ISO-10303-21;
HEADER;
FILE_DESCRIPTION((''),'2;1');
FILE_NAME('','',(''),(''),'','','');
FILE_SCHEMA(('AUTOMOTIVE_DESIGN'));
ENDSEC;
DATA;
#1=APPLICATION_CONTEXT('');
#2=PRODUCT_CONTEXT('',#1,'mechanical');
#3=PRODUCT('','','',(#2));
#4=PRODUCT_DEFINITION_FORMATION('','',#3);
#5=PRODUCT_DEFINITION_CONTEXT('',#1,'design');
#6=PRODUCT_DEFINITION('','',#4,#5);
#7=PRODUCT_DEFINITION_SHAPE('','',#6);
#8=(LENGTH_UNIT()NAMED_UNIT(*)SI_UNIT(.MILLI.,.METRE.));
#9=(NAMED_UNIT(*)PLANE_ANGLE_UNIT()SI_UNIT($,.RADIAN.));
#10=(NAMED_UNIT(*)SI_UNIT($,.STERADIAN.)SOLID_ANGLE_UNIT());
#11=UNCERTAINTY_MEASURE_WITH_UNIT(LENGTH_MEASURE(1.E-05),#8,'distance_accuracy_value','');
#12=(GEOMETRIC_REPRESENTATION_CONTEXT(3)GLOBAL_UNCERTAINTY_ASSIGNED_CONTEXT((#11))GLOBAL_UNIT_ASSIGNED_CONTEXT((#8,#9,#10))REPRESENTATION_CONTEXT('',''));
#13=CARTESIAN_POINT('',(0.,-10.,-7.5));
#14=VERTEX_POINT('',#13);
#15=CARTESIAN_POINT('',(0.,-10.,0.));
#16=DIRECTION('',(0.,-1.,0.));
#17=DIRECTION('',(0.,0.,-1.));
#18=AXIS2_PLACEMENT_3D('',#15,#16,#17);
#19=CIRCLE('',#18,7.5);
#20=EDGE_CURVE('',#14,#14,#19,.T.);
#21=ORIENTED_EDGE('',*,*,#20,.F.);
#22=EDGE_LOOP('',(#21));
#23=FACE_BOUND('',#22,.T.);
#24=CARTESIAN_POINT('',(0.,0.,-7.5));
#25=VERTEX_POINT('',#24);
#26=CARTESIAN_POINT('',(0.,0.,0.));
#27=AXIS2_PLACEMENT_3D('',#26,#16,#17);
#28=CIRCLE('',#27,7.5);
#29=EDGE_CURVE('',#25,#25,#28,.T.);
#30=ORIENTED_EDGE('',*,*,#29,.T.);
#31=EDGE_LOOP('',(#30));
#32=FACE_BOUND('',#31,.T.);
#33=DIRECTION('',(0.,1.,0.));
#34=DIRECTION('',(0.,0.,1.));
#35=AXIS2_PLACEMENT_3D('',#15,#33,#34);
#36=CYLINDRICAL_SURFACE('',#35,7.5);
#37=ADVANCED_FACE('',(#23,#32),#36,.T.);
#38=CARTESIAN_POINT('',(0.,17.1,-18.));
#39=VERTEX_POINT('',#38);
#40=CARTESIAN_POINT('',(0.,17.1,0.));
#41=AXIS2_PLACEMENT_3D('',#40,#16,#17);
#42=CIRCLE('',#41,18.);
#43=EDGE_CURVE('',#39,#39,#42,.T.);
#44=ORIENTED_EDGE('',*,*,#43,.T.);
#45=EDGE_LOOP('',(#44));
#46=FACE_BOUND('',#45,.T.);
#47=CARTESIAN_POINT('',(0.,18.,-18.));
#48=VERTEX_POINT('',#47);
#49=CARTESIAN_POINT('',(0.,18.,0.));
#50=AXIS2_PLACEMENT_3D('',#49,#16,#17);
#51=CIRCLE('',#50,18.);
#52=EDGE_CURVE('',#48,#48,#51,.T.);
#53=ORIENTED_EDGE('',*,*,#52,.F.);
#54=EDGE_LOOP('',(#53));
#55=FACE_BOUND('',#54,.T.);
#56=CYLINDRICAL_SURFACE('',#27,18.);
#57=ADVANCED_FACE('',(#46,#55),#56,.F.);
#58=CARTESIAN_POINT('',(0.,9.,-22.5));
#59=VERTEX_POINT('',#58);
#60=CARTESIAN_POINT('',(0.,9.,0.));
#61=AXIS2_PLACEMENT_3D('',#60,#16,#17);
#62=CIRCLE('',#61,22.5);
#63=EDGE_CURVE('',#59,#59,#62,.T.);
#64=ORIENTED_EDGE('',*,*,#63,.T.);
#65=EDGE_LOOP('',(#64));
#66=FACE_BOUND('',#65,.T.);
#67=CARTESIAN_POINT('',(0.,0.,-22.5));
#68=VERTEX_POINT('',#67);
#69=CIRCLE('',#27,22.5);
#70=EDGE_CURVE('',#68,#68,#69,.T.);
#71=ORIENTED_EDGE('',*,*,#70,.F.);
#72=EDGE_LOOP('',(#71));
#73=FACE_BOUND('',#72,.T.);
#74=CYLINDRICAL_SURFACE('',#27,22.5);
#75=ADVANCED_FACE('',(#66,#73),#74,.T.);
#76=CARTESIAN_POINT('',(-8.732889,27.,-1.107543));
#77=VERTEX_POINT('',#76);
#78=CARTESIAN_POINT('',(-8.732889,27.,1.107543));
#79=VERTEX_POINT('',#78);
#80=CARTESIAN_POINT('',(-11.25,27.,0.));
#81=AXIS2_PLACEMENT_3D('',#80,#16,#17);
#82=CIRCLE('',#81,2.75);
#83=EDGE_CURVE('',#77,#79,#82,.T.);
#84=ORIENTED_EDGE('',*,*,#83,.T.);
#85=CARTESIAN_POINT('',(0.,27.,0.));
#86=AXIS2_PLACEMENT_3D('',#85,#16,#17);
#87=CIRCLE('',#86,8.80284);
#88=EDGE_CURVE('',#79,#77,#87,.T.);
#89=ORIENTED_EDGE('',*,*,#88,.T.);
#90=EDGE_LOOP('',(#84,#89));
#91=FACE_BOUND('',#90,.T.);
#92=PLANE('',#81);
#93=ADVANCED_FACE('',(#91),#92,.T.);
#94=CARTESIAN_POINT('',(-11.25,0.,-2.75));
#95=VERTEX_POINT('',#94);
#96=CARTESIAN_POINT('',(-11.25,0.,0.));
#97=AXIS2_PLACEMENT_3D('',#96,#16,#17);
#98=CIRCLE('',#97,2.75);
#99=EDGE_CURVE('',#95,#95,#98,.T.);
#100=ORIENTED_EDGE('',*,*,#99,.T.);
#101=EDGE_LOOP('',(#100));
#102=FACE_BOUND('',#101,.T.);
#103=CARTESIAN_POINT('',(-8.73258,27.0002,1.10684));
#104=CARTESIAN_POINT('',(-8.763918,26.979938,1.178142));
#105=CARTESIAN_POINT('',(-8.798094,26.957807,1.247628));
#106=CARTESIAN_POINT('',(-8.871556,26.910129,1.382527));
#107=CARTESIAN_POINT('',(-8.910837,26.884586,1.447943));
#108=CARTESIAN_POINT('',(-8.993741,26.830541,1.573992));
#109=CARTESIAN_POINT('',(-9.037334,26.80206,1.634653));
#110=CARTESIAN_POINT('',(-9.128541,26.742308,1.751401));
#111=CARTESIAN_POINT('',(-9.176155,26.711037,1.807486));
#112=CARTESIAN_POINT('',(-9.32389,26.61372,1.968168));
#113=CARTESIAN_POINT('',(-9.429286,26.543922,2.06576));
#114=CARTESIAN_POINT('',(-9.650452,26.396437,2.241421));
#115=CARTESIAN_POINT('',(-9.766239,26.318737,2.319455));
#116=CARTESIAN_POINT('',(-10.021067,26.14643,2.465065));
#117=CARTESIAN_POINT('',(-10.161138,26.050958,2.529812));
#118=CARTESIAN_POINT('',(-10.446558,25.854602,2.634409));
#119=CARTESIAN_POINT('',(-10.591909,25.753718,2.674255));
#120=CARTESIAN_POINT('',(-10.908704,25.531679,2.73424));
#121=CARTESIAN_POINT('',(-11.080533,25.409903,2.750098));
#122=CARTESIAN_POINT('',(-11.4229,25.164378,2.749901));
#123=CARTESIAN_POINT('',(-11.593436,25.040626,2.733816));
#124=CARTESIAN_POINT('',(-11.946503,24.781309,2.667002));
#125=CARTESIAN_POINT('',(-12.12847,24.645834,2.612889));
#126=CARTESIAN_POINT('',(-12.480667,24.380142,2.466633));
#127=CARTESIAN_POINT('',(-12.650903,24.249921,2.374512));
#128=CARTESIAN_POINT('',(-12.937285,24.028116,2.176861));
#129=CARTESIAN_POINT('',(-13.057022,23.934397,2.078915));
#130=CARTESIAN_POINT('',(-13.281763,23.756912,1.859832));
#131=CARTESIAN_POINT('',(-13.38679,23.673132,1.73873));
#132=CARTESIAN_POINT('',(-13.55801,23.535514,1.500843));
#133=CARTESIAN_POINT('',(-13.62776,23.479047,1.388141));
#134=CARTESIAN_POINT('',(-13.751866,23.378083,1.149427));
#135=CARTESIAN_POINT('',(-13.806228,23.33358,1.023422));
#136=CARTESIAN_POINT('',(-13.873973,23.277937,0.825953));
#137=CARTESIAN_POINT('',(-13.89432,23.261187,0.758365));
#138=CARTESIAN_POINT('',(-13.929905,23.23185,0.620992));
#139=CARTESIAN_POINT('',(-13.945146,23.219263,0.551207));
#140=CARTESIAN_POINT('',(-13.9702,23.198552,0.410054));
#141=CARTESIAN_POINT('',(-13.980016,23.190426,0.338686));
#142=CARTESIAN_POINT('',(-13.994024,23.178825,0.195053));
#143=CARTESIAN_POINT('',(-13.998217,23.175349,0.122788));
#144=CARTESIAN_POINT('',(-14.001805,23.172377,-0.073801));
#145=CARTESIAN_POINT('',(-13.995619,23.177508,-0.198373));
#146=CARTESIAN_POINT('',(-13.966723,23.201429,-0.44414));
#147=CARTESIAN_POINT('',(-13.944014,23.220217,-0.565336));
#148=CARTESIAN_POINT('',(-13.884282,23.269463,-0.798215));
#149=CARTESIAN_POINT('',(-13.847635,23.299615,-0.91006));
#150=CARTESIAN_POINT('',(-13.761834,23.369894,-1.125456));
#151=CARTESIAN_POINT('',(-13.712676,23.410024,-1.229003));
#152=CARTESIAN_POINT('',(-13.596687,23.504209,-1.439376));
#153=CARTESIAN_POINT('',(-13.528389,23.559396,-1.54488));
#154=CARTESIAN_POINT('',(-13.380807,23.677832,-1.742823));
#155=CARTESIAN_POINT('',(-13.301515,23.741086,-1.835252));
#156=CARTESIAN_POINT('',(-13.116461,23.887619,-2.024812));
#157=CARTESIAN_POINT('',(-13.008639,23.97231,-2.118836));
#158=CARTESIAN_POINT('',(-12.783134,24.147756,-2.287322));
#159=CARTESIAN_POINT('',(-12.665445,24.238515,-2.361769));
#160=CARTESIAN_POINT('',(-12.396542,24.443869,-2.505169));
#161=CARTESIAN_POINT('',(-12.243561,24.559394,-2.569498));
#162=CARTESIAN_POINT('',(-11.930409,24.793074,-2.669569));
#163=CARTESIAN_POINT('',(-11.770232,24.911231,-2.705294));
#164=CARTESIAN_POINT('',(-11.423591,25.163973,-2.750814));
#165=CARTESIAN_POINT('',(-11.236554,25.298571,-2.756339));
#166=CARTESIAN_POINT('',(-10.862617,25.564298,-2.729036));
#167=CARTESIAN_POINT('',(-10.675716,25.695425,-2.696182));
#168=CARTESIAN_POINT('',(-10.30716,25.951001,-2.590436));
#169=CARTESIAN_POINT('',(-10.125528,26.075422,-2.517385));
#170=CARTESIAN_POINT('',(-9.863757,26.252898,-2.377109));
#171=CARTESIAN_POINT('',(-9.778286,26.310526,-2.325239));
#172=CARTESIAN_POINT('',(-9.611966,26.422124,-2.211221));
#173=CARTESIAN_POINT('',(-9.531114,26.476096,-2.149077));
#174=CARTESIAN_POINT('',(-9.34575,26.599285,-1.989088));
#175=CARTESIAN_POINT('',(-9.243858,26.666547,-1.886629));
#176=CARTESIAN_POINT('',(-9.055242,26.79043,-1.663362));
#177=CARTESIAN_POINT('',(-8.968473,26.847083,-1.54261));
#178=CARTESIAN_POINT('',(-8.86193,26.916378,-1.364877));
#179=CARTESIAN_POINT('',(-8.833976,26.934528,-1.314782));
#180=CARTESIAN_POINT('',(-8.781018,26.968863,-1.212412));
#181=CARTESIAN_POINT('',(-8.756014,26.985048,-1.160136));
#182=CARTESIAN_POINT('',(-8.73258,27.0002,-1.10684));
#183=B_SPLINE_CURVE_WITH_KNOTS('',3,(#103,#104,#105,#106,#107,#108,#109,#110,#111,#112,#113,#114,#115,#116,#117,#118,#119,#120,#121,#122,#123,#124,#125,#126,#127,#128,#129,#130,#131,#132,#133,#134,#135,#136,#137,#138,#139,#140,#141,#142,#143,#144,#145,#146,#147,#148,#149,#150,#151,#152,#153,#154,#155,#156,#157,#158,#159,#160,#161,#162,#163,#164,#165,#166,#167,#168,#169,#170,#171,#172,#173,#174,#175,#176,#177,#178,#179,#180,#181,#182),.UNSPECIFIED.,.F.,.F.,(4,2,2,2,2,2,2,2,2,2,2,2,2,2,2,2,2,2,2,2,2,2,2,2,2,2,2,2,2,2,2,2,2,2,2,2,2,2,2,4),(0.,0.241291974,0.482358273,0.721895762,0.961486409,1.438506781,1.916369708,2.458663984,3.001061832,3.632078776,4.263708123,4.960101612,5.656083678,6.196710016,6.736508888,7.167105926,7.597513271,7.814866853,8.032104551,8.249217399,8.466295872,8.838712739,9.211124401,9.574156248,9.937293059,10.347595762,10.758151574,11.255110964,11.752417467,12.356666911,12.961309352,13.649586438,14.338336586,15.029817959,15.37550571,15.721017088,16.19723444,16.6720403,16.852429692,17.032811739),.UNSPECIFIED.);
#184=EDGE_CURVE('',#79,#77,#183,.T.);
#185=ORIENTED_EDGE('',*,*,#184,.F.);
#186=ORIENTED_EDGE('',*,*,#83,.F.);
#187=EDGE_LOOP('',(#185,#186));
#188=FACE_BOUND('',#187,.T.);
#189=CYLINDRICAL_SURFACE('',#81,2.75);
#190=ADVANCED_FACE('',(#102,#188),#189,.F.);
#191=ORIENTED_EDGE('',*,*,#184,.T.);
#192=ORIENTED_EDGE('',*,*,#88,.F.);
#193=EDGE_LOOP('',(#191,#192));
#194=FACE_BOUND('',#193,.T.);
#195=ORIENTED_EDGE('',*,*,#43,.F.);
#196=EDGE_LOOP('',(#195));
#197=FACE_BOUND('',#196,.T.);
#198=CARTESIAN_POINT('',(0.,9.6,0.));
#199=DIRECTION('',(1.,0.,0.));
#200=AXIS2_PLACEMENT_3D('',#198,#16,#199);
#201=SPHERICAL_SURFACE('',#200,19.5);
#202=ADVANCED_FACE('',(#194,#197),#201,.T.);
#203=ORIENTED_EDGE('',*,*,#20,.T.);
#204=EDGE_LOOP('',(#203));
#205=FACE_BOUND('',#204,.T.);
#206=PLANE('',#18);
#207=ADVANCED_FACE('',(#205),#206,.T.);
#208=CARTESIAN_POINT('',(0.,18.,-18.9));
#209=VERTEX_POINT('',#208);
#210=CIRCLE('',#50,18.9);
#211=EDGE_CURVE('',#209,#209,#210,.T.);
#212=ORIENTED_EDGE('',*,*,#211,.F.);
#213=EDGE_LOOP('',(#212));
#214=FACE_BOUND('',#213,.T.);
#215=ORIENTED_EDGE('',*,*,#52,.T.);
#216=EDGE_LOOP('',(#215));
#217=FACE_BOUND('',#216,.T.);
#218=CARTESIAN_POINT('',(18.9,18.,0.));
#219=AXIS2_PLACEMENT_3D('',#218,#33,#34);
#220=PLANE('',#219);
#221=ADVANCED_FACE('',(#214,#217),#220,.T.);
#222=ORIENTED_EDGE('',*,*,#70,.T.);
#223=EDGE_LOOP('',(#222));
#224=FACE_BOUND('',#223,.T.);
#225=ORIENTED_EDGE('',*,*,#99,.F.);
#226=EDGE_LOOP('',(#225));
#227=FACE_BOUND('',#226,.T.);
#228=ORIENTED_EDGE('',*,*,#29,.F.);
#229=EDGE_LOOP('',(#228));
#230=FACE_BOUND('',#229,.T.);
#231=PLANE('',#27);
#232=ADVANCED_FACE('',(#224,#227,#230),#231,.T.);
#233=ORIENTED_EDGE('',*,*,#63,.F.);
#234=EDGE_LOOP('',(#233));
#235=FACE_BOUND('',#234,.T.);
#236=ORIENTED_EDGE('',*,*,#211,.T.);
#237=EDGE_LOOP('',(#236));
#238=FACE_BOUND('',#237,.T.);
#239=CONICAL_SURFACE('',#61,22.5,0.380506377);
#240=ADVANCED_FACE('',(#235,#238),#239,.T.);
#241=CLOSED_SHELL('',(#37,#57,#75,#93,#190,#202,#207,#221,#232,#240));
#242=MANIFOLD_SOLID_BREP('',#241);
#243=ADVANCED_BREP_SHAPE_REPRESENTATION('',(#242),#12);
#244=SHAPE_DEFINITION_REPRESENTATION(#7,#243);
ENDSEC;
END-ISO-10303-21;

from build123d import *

# Parameters (mm, degrees)
ECHELLE1_SCALE          = 0.6
ESQUISSE3_R             = 7.5
BOSS_EXTRU_1_DEPTH      = 10
ESQUISSE4_R             = 2.75
ENL_V_MAT_EXTRU_1_DEPTH = 27


with BuildPart() as part:
    # Esquisse2 → Révolution1 (revolve)
    with BuildSketch(Plane.XY, mode=Mode.PRIVATE) as r_volution1_sk:
        with BuildLine():
            Line((0, 0), (37.5, 0))
            Line((37.5, 0), (37.5, 15))
            Line((37.5, 15), (31.5, 30))
            Line((31.5, 30), (30, 30))
            Line((30, 30), (30, 28.5))
            ThreePointArc((30, 28.5), (18.027756377, 43.041634566), (0, 48.5))
            Line((0, 48.5), (0, 0))
        make_face()
    revolve(r_volution1_sk.sketch.rotate(Axis((0, 0, 0), (0, 1, 0)), 90), axis=Axis((0, 0, 0), (0, 1, 0)))


with BuildPart() as part_1:
    # Echelle1: scaled about (0, 0, 0)
    add(part.part.scale(ECHELLE1_SCALE))

    # Esquisse3 → Boss.-Extru.1 (add)
    with BuildSketch(Plane(origin=(0, 0, 0), x_dir=(-1, 0, 0), z_dir=(0, -1, 0))):
        with Locations(Location((0, 0, 0), (0, 0, 90))):
            Circle(ESQUISSE3_R)
    extrude(amount=BOSS_EXTRU_1_DEPTH)

    # Esquisse4 → Enlèv. mat.-Extru.1 (cut)
    with BuildSketch(Plane(origin=(0, 0, 0), x_dir=(-1, 0, 0), z_dir=(0, -1, 0))):
        with Locations(Location((11.25, 0, 0), (0, 0, 90))):
            Circle(ESQUISSE4_R)
    extrude(amount=-ENL_V_MAT_EXTRU_1_DEPTH, mode=Mode.SUBTRACT)


solid = part_1.part
